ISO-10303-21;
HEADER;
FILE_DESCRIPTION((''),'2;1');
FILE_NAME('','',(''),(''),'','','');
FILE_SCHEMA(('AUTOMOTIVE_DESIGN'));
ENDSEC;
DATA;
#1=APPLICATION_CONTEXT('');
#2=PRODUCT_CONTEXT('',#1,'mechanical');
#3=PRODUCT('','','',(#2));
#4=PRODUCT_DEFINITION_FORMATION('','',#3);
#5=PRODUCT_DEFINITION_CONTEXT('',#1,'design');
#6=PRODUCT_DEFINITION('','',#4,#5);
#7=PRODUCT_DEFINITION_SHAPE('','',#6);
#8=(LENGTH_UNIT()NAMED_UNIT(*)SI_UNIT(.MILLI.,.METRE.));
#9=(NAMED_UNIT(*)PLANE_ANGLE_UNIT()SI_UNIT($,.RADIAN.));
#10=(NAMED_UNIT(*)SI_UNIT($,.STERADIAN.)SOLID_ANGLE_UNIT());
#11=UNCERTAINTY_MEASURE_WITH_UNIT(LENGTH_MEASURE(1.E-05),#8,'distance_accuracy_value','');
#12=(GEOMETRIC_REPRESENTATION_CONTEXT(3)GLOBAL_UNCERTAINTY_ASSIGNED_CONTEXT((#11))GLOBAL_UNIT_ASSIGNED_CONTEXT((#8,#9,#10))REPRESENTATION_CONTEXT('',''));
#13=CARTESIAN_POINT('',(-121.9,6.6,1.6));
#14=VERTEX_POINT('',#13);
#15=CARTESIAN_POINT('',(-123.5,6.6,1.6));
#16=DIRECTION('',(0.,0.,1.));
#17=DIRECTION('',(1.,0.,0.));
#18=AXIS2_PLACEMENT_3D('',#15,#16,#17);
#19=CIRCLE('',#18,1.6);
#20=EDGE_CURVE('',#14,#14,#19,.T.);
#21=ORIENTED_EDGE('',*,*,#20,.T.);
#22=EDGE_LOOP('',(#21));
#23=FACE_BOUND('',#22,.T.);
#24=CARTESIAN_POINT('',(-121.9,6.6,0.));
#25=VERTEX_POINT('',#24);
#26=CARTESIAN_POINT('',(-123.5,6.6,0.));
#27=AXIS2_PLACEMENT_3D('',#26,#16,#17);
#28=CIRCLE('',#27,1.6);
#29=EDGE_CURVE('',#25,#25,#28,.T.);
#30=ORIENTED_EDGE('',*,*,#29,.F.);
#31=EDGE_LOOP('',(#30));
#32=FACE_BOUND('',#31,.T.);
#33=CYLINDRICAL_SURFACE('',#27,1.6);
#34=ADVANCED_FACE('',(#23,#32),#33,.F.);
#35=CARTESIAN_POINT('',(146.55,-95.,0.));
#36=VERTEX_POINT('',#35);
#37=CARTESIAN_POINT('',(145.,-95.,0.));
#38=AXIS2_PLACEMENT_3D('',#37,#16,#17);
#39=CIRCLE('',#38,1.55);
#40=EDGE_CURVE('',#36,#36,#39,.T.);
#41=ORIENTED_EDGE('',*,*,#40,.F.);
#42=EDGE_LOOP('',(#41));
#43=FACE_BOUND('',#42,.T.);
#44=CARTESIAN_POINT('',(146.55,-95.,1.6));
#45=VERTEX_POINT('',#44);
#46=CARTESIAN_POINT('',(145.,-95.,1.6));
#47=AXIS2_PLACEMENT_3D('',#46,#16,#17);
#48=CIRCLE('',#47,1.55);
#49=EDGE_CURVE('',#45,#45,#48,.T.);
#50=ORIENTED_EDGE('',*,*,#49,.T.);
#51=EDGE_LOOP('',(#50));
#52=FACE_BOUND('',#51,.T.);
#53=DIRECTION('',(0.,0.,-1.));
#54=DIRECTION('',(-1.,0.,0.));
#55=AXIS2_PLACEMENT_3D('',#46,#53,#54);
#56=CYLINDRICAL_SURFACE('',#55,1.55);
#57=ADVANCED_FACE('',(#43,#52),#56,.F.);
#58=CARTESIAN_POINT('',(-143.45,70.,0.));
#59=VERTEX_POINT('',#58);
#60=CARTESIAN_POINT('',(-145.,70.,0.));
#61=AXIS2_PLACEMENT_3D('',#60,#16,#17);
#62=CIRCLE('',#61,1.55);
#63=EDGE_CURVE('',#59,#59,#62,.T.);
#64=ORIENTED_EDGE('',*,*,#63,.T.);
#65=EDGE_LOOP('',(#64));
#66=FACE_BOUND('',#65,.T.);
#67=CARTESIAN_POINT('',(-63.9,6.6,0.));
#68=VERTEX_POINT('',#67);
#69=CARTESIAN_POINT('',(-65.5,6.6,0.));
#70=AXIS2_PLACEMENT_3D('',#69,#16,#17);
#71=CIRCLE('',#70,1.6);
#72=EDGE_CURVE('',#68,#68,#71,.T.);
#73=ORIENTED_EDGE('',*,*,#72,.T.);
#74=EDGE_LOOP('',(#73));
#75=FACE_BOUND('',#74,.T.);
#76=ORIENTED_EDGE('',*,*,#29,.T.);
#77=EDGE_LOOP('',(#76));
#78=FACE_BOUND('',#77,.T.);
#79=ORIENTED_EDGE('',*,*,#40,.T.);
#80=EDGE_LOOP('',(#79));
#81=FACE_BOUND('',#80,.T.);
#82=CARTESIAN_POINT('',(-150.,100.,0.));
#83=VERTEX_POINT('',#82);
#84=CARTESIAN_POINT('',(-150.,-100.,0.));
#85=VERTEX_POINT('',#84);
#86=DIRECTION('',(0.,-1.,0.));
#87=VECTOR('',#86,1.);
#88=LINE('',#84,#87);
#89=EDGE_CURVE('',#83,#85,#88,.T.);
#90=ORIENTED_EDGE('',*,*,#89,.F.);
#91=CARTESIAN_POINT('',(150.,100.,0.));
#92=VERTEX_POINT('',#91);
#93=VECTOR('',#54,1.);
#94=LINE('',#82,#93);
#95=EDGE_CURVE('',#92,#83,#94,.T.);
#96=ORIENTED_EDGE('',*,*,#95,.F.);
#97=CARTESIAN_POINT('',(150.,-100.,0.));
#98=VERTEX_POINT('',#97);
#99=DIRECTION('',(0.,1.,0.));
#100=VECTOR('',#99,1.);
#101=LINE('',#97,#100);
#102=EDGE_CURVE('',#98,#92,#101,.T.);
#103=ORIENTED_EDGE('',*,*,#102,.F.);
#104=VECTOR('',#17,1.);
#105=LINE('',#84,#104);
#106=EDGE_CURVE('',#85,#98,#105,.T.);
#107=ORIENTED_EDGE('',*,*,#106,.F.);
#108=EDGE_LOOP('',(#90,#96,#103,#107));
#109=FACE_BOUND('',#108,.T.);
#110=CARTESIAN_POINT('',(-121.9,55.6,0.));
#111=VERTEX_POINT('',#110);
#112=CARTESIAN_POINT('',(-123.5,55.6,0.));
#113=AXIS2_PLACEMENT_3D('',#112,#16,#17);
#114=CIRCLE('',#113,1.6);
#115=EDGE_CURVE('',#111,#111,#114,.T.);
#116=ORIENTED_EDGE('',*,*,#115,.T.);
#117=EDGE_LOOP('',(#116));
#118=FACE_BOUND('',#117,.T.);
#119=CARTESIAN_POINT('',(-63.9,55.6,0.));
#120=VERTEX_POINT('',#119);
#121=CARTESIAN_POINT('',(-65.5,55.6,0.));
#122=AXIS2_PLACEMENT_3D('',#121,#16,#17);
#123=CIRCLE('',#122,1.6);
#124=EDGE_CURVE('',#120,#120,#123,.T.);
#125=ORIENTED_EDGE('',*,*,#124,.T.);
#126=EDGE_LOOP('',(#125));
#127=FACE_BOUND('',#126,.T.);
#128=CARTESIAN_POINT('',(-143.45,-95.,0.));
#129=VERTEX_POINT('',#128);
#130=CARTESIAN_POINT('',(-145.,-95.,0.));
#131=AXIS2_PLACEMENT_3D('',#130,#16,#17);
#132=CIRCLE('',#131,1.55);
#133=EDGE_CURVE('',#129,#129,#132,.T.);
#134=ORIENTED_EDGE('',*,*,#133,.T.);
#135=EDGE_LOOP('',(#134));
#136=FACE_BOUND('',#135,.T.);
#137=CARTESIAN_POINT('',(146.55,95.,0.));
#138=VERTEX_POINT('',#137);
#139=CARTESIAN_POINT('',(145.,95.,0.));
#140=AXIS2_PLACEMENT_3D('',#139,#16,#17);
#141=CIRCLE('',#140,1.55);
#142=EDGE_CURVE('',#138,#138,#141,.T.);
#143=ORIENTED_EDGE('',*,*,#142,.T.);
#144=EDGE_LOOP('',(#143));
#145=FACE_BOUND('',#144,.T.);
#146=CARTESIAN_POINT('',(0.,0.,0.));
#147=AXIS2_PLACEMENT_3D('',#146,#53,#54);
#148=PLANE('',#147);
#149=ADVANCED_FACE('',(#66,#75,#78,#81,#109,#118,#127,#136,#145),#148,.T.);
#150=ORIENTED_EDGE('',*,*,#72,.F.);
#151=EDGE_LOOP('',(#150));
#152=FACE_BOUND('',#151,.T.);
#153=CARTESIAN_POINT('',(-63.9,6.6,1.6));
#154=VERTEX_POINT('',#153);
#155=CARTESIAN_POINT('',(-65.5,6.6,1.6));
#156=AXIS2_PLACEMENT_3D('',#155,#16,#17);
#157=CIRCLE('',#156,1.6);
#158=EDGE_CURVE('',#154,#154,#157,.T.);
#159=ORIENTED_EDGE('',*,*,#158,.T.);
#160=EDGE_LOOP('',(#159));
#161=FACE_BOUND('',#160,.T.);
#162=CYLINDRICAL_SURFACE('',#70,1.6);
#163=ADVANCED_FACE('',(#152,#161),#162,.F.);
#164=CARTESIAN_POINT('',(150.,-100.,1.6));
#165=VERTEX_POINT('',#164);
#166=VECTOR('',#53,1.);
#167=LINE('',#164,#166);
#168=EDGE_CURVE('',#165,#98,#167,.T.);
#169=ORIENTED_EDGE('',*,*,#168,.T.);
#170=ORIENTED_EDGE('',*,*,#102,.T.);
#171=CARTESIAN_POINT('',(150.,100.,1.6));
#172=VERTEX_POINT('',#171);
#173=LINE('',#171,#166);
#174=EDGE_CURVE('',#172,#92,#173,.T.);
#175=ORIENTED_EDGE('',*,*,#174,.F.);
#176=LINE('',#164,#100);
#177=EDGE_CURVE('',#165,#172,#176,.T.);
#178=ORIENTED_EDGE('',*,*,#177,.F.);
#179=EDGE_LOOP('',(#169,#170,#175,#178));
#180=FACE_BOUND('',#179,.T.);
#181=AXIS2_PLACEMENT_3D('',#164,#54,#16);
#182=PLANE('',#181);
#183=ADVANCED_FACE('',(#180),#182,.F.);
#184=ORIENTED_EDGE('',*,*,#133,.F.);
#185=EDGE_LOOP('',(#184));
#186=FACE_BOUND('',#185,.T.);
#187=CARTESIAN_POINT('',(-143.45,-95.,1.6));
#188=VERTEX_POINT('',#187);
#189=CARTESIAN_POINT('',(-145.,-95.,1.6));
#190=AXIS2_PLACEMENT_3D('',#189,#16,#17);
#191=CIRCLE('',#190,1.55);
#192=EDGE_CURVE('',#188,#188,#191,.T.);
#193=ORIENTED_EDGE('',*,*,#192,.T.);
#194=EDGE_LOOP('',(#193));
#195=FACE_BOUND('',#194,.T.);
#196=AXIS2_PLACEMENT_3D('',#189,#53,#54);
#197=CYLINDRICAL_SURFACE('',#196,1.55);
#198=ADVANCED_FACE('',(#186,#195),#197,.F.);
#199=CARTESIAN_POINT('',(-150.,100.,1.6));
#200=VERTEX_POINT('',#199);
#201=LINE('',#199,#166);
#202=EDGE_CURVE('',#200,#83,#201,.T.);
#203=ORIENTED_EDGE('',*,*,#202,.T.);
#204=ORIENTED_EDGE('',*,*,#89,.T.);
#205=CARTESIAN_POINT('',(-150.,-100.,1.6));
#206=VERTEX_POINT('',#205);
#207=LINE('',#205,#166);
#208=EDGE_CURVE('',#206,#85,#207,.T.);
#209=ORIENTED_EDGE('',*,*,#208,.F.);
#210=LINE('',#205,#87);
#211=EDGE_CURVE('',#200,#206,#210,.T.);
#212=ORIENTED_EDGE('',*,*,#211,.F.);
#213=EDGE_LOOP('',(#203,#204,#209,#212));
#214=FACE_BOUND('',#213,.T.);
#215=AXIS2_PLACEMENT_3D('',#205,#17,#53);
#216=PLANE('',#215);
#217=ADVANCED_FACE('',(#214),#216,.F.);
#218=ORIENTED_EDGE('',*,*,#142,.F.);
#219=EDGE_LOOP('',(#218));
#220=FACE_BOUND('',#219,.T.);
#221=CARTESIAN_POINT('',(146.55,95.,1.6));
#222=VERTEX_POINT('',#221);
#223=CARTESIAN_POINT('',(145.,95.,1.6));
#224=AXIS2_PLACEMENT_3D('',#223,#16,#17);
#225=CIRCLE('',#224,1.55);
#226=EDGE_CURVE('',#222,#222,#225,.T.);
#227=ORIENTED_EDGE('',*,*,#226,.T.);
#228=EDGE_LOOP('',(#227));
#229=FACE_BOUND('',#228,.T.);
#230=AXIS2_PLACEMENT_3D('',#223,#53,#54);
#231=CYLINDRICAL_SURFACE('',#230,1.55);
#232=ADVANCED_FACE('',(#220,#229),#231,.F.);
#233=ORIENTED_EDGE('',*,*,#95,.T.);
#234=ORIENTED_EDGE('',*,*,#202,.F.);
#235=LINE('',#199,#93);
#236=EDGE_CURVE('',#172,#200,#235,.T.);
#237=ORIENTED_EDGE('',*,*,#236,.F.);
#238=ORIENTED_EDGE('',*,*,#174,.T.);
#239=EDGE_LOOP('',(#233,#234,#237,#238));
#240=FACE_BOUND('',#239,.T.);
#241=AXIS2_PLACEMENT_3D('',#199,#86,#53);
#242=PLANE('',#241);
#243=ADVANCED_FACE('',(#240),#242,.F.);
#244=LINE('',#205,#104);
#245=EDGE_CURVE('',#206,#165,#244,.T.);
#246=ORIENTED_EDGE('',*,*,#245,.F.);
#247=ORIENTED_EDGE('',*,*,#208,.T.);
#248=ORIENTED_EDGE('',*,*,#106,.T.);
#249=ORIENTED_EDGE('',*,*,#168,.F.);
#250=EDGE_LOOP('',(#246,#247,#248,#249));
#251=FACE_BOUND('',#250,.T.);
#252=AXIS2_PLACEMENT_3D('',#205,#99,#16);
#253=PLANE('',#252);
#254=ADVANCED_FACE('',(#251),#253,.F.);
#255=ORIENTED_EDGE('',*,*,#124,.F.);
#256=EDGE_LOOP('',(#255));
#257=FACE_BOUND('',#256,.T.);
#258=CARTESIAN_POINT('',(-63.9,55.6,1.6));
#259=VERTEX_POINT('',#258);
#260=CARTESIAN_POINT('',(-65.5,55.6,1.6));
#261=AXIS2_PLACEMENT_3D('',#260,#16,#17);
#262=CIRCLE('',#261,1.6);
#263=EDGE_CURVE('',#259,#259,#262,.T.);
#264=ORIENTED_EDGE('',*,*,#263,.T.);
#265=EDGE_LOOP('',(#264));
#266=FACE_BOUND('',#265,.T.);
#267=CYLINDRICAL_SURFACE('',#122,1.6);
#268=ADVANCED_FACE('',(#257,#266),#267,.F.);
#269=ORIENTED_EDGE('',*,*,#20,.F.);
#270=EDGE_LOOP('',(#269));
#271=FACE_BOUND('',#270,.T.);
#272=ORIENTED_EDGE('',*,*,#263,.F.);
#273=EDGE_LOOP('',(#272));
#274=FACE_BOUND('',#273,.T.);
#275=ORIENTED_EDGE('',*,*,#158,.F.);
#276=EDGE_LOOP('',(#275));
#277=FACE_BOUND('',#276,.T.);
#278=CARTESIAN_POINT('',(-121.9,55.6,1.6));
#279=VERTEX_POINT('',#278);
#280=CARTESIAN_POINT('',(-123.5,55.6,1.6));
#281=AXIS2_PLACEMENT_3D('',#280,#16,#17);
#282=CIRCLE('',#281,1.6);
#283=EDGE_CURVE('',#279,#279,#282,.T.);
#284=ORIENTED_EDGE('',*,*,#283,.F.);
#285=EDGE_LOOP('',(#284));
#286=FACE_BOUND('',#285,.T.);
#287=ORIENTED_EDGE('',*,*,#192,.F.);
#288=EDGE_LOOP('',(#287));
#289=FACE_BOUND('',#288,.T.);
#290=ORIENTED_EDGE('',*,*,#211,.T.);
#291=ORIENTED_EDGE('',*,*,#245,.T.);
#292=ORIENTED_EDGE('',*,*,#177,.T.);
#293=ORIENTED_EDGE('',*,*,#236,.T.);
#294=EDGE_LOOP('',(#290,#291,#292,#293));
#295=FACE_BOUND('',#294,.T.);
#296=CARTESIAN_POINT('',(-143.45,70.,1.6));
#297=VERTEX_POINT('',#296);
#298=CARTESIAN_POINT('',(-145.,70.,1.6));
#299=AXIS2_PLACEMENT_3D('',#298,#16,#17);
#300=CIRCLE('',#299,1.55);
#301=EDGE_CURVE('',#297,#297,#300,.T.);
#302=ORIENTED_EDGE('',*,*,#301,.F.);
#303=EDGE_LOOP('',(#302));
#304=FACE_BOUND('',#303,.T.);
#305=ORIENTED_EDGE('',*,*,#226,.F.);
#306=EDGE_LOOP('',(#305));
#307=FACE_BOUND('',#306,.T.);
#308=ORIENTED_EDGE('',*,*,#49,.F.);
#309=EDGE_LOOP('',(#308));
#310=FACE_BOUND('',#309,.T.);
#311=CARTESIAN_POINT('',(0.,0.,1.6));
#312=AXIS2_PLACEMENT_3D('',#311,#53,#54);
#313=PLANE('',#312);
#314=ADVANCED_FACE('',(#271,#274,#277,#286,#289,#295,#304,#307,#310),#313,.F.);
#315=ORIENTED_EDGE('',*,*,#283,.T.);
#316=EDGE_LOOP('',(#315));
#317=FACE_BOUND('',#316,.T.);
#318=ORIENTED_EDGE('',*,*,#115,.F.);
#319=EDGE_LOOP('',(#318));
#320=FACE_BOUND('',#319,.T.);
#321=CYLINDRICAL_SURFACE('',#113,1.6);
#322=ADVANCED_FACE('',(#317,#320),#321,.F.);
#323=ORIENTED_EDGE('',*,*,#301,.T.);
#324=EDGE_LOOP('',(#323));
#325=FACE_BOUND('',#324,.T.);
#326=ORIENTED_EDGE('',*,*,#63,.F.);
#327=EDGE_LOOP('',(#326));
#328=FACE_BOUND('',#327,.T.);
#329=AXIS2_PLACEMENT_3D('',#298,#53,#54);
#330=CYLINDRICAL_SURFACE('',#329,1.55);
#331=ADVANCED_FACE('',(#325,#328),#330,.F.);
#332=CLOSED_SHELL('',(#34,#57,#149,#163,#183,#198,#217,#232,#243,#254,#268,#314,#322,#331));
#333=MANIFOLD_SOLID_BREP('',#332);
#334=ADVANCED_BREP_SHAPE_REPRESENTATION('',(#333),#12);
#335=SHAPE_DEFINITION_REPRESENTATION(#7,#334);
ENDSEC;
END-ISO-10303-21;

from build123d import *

# Parameters (mm, degrees)
SKETCH_1_W          = 300
SKETCH_1_H          = 200
SKETCH_1_R          = 1.55
EXTRUDE_1_DEPTH     = 1.6
SKETCH_2_R          = 1.6
CUT_EXTRUDE_1_DEPTH = 181.284663796


with BuildPart() as part:
    # ｽｹｯﾁ1 → ﾎﾞｽ - 押し出し1 (new body)
    with BuildSketch(Plane.XY):
        Rectangle(SKETCH_1_W, SKETCH_1_H)
        with Locations((-145, -95)):
            Circle(SKETCH_1_R, mode=Mode.SUBTRACT)
        with Locations((145, 95)):
            Circle(SKETCH_1_R, mode=Mode.SUBTRACT)
        with Locations((145, -95)):
            Circle(SKETCH_1_R, mode=Mode.SUBTRACT)
        with Locations((-145, 70)):
            Circle(SKETCH_1_R, mode=Mode.SUBTRACT)
    extrude(amount=EXTRUDE_1_DEPTH)

    # ｽｹｯﾁ2 → ｶｯﾄ - 押し出し1 (cut, through all)
    with BuildSketch(Plane.XY.offset(1.6)):
        with Locations((-123.5, 55.6)):
            Circle(SKETCH_2_R)
        with Locations((-65.5, 55.6)):
            Circle(SKETCH_2_R)
        with Locations((-123.5, 6.6)):
            Circle(SKETCH_2_R)
        with Locations((-65.5, 6.6)):
            Circle(SKETCH_2_R)
    extrude(amount=-CUT_EXTRUDE_1_DEPTH, mode=Mode.SUBTRACT)


solid = part.part
